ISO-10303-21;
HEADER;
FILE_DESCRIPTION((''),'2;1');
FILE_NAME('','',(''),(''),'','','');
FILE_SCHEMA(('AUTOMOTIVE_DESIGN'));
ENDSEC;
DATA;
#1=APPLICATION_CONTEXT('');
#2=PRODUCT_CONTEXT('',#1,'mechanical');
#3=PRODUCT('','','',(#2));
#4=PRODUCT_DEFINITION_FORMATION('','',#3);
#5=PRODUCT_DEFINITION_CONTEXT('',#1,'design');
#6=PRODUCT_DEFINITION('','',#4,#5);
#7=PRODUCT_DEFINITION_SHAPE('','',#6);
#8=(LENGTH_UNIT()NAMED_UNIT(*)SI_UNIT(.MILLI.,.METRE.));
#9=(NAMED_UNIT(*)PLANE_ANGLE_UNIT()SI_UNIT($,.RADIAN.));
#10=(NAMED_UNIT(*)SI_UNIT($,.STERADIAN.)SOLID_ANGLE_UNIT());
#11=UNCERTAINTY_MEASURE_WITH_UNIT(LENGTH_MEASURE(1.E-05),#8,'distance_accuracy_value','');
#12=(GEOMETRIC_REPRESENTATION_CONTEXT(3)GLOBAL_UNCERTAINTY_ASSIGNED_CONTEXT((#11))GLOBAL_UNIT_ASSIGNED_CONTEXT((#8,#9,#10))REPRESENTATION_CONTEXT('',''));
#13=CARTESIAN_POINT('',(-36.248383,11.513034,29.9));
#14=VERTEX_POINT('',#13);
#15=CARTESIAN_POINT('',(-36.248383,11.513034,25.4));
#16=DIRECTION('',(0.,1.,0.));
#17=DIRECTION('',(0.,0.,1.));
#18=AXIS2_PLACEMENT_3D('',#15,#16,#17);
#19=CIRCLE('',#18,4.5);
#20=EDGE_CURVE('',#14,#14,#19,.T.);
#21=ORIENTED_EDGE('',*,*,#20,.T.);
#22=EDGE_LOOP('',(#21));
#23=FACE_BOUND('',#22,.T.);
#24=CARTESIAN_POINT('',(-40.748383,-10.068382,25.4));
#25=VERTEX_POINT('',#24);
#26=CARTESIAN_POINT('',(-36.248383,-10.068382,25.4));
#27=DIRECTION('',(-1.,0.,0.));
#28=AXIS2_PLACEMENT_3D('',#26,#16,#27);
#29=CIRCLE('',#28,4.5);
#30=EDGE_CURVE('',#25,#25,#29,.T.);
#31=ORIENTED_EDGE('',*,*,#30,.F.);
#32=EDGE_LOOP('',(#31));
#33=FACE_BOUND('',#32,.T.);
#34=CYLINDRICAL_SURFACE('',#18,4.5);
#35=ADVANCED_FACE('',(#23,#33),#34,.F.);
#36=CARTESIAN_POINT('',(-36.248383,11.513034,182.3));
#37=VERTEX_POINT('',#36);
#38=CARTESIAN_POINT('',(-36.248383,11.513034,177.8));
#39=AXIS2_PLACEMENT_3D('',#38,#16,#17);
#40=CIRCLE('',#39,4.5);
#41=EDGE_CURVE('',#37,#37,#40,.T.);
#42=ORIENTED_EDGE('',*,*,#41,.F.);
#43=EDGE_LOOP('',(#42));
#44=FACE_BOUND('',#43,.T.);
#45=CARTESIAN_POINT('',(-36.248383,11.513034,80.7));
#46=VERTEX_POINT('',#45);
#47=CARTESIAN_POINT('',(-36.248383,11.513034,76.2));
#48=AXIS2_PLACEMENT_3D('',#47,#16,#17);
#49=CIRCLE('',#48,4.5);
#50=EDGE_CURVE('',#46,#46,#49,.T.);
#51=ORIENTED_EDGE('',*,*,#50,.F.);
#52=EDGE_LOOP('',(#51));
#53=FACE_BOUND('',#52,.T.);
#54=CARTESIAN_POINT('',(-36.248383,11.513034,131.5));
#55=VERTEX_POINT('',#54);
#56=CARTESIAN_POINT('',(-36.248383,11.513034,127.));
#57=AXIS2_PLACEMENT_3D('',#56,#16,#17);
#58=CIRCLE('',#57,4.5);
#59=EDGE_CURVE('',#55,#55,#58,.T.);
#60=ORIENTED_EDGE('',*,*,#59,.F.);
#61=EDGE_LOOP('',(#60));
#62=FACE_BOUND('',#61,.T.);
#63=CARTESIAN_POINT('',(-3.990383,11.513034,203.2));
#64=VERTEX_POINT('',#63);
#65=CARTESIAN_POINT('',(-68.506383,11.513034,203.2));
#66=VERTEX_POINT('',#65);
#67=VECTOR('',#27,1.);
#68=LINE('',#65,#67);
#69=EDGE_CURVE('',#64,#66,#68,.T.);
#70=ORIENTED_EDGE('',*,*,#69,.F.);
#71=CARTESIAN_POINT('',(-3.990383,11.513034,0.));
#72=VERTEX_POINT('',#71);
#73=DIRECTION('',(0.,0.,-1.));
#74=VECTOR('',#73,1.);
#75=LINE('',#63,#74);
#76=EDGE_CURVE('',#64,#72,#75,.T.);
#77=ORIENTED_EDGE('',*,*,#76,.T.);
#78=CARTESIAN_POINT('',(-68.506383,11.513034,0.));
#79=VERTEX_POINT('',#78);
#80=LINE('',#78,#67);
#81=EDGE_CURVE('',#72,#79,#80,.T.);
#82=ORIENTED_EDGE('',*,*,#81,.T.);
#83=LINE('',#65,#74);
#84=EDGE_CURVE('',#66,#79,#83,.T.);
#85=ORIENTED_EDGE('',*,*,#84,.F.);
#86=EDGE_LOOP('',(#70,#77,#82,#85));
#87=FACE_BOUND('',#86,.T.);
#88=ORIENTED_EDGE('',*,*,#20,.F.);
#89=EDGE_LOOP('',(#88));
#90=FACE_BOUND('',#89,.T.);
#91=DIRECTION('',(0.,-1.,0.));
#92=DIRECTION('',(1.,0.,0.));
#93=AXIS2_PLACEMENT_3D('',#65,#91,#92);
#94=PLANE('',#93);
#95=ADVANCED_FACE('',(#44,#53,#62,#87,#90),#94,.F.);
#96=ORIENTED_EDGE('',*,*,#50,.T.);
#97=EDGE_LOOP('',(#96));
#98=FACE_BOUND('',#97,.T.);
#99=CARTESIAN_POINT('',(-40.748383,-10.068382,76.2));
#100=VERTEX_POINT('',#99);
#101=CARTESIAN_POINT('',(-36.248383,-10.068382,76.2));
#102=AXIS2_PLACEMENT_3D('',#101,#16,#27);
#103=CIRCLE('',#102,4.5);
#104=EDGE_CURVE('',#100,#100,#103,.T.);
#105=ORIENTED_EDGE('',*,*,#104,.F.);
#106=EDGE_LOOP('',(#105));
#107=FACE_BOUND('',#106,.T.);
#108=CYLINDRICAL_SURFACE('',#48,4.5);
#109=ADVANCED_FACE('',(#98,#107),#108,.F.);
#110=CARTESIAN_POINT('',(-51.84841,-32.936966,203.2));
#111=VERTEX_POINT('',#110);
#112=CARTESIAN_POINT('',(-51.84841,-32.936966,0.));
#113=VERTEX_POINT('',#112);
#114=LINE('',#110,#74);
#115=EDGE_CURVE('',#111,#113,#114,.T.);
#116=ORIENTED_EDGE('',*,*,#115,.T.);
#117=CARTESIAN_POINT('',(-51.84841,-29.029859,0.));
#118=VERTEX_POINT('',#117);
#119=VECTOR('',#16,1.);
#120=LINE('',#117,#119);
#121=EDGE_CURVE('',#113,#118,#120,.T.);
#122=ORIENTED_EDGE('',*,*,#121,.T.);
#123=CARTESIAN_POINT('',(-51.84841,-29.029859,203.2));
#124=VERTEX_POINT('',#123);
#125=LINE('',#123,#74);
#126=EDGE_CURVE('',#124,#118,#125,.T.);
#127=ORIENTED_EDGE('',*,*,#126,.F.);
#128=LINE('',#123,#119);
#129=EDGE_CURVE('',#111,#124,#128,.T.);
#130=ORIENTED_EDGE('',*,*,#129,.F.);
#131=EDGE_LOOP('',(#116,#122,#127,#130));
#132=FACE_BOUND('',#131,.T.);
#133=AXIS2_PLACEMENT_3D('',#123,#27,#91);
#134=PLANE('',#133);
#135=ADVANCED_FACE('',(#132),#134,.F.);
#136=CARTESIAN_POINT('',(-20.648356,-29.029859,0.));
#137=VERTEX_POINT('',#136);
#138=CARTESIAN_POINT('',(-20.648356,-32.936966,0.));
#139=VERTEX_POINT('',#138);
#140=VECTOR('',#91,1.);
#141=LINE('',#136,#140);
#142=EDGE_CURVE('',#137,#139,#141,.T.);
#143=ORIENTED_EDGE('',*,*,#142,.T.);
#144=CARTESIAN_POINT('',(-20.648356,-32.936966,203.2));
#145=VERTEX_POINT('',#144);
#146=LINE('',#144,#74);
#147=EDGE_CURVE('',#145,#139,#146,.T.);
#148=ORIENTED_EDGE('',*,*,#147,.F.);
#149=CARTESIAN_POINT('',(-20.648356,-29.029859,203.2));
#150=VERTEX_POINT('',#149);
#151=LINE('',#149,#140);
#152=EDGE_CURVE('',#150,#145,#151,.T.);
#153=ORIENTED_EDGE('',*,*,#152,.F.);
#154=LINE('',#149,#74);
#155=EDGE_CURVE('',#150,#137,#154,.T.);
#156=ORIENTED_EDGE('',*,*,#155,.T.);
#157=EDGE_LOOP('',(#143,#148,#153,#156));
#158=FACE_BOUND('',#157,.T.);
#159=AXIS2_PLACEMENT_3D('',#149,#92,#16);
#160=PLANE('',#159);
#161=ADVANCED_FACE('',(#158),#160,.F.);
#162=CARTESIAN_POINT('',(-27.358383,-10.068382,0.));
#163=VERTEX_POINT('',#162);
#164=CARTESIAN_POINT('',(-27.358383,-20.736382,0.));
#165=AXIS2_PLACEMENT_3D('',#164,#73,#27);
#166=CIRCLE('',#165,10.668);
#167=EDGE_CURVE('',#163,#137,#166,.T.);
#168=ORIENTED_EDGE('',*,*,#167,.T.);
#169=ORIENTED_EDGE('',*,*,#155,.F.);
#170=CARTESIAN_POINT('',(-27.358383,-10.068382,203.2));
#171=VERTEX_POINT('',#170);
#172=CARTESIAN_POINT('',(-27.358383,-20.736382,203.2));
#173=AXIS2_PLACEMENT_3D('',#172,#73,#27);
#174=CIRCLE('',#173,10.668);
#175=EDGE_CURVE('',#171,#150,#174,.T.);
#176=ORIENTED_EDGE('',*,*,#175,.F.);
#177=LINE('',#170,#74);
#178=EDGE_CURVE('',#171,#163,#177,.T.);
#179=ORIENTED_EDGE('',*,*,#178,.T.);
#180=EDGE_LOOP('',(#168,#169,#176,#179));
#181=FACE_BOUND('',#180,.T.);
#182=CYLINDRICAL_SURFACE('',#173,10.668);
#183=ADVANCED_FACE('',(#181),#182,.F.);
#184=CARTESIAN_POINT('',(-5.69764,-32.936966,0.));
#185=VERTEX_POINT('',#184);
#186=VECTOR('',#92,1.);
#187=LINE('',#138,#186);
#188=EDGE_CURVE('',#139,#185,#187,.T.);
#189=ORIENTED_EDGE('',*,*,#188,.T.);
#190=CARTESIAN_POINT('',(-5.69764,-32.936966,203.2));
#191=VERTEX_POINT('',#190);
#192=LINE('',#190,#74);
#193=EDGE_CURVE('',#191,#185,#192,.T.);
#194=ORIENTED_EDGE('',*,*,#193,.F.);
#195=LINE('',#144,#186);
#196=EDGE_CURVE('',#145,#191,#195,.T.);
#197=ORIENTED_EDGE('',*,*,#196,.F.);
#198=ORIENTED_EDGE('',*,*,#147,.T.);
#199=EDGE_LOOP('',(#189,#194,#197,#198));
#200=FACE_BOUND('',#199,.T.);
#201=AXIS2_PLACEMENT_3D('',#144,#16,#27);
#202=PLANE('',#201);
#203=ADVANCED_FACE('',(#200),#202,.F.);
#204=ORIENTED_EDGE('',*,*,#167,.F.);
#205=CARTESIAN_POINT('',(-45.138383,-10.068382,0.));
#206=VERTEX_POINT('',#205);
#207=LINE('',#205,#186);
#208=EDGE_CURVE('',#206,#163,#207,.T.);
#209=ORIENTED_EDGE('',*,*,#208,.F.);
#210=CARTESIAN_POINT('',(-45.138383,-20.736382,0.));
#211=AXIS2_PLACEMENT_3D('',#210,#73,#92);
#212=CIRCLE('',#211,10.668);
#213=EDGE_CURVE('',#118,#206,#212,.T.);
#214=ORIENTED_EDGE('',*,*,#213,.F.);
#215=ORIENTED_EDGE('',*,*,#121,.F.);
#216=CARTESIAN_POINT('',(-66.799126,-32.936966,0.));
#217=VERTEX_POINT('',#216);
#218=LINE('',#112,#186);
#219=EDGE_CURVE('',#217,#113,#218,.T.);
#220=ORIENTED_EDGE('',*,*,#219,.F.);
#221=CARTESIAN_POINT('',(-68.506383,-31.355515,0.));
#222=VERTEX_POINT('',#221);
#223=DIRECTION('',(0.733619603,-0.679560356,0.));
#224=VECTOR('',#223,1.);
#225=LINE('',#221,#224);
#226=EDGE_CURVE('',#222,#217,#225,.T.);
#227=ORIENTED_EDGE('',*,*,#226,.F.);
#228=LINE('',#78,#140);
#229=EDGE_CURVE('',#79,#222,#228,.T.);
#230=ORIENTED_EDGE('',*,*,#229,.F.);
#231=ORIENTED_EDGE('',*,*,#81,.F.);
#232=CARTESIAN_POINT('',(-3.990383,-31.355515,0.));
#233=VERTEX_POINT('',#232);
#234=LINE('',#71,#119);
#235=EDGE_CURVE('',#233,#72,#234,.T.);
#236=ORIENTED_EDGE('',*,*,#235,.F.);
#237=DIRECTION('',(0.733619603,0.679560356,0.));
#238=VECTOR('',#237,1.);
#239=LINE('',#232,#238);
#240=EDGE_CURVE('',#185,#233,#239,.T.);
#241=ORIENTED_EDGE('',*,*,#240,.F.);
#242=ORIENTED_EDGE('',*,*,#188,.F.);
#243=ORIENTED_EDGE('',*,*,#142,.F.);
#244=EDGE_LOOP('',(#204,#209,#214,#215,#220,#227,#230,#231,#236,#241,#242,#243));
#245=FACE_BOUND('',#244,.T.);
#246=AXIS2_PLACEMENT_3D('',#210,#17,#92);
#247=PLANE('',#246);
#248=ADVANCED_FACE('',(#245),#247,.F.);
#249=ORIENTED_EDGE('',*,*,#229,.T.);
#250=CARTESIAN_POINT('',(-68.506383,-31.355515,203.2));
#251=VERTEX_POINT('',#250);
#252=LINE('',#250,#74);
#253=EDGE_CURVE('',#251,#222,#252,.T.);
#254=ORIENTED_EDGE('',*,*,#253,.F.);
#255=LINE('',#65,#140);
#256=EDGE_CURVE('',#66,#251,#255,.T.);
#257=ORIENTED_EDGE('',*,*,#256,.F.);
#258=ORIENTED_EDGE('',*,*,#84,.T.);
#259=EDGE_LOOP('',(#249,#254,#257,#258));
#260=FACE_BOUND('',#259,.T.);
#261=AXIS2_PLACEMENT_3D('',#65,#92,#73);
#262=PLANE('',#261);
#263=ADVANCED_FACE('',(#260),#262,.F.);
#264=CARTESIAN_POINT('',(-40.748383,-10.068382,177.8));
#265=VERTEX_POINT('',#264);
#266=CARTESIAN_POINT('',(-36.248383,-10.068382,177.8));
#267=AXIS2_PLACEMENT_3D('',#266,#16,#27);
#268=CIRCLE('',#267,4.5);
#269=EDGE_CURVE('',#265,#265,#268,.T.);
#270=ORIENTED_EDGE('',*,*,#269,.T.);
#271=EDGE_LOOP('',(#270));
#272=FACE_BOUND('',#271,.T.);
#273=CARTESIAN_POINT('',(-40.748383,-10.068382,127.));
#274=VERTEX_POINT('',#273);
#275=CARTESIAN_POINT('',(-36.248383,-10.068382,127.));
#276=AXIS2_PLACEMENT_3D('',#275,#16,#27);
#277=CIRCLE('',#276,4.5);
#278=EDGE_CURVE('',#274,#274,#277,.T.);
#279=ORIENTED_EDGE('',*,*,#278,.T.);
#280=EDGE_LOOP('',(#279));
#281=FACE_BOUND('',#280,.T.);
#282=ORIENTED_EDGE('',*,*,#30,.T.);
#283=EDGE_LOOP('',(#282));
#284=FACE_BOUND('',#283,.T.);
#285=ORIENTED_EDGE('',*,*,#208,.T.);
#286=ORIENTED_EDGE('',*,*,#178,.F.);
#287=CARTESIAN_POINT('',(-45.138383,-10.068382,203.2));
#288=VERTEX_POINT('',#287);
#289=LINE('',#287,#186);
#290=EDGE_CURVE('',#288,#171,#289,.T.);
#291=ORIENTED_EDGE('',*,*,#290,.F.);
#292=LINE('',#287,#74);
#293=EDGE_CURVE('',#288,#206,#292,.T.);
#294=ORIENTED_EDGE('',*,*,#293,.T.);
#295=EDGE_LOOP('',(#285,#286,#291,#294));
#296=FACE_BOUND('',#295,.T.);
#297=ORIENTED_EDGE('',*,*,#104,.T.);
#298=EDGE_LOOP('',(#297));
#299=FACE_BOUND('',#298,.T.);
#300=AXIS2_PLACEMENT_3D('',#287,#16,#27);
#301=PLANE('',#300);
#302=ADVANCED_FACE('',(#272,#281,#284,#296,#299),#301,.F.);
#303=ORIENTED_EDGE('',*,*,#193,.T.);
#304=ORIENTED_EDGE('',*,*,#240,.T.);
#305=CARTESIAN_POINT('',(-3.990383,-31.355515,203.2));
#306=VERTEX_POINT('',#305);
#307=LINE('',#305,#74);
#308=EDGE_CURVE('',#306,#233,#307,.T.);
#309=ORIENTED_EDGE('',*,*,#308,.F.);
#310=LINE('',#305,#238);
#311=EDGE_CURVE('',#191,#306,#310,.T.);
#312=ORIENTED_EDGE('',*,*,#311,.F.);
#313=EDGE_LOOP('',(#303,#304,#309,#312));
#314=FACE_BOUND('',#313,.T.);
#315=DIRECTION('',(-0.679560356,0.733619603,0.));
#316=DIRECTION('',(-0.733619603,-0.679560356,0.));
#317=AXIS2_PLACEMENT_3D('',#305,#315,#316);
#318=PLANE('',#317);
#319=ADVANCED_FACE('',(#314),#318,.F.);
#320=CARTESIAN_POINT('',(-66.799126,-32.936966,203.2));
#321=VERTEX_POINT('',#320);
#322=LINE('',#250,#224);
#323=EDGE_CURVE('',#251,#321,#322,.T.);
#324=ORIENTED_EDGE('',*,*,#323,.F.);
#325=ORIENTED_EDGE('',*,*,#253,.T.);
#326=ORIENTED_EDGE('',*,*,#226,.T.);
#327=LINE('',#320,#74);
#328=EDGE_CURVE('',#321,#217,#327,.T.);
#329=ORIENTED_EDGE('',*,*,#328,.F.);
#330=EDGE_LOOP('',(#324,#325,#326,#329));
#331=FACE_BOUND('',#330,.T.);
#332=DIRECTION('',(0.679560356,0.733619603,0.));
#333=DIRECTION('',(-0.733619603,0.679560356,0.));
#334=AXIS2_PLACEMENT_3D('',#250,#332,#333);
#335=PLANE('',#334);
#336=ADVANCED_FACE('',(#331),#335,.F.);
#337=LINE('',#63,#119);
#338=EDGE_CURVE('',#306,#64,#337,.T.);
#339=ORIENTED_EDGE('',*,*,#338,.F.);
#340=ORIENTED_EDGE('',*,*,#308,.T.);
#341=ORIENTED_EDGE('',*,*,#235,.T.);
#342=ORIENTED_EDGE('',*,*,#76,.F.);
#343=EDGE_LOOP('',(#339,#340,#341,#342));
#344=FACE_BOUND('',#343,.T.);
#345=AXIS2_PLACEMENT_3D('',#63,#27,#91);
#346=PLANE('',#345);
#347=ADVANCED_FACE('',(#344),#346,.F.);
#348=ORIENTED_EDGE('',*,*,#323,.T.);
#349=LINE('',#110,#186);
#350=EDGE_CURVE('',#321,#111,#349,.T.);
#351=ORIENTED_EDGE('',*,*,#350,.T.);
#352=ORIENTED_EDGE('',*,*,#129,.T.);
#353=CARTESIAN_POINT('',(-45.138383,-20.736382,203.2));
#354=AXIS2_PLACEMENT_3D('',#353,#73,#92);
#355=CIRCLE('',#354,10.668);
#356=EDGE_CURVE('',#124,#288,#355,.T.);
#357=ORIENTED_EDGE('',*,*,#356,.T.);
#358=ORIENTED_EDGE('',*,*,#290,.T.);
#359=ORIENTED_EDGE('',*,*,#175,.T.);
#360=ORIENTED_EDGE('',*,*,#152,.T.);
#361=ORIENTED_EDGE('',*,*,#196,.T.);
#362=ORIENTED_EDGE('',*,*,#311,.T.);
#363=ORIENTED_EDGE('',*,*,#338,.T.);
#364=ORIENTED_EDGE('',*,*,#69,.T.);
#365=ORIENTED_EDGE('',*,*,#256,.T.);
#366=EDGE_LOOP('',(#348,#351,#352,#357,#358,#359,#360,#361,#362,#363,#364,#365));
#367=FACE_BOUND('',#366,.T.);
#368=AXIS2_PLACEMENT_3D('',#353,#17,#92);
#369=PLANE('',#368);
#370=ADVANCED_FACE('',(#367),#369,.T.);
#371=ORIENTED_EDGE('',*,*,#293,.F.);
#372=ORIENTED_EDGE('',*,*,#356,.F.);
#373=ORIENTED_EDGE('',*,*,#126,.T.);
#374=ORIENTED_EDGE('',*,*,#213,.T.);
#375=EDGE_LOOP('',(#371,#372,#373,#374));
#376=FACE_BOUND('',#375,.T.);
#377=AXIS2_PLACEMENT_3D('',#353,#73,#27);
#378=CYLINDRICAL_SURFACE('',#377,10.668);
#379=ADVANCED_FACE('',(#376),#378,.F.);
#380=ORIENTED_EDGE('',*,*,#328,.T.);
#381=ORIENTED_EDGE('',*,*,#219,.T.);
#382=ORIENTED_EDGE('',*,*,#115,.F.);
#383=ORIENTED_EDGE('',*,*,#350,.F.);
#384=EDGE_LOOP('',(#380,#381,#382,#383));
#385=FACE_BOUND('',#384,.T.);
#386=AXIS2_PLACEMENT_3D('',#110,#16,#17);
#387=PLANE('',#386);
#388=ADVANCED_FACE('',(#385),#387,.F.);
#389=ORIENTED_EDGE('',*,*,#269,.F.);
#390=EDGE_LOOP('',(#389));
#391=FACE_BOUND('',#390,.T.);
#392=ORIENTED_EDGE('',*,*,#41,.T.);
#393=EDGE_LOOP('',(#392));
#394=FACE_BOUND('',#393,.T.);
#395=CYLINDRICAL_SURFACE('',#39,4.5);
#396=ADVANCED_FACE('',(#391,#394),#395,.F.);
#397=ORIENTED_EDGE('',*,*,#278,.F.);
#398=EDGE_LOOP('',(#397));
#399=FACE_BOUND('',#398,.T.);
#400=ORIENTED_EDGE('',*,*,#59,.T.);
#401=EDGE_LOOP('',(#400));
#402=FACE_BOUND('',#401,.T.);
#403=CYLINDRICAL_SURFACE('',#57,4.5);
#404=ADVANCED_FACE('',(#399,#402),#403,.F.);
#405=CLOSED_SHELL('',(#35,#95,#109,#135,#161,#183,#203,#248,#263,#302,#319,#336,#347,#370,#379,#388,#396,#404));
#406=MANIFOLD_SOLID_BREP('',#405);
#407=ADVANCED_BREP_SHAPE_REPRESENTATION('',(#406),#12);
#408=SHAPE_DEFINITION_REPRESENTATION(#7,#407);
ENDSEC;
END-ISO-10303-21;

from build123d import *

# Parameters (mm, degrees)
BASE_EXTRUDE_DEPTH           = 203.2
TAP_DRILL_FOR_M10X1_0_TAP2_D = 9
LPATTERN1_COUNT              = 4
LPATTERN1_PITCH              = 50.8


with BuildPart() as part:
    # Sketch1 → Base-Extrude (new body)
    with BuildSketch(Plane.XY):
        with BuildLine():
            Line((-51.848409542, -29.029859377), (-51.848409542, -32.936966461))
            Line((-51.848409542, -32.936966461), (-66.799126207, -32.936966461))
            Line((-66.799126207, -32.936966461), (-68.5063829, -31.355514763))
            Line((-68.5063829, -31.355514763), (-68.5063829, 11.513033539))
            Line((-68.5063829, 11.513033539), (-3.9903829, 11.513033539))
            Line((-3.9903829, 11.513033539), (-3.9903829, -31.355514763))
            Line((-3.9903829, -31.355514763), (-5.697639593, -32.936966461))
            Line((-5.697639593, -32.936966461), (-20.648356257, -32.936966461))
            Line((-20.648356257, -32.936966461), (-20.648356257, -29.029859377))
            ThreePointArc((-20.648356257, -29.029859377), (-17.301518569, -17.177491216), (-27.3583829, -10.068382033))
            Line((-27.3583829, -10.068382033), (-45.1383829, -10.068382033))
            ThreePointArc((-45.1383829, -10.068382033), (-55.19524723, -17.177491216), (-51.848409542, -29.029859377))
        make_face()
    extrude(amount=BASE_EXTRUDE_DEPTH)

    # Tap Drill for M10x1.0 Tap2 (through all)
    with Locations(Plane(origin=(0, 11.513033539, 0), x_dir=(-1, 0, 0), z_dir=(0, 1, 0))):
        with Locations((36.2483829, 177.8)):
            tap_drill_for_m10x1_0_tap2 = Hole(TAP_DRILL_FOR_M10X1_0_TAP2_D / 2)

    # LPattern1: Tap Drill for M10x1.0 Tap2 ×4
    with Locations(*[(0, 0, -i * LPATTERN1_PITCH) for i in range(1, LPATTERN1_COUNT)]):
        add(tap_drill_for_m10x1_0_tap2, mode=Mode.SUBTRACT)


solid = part.part
